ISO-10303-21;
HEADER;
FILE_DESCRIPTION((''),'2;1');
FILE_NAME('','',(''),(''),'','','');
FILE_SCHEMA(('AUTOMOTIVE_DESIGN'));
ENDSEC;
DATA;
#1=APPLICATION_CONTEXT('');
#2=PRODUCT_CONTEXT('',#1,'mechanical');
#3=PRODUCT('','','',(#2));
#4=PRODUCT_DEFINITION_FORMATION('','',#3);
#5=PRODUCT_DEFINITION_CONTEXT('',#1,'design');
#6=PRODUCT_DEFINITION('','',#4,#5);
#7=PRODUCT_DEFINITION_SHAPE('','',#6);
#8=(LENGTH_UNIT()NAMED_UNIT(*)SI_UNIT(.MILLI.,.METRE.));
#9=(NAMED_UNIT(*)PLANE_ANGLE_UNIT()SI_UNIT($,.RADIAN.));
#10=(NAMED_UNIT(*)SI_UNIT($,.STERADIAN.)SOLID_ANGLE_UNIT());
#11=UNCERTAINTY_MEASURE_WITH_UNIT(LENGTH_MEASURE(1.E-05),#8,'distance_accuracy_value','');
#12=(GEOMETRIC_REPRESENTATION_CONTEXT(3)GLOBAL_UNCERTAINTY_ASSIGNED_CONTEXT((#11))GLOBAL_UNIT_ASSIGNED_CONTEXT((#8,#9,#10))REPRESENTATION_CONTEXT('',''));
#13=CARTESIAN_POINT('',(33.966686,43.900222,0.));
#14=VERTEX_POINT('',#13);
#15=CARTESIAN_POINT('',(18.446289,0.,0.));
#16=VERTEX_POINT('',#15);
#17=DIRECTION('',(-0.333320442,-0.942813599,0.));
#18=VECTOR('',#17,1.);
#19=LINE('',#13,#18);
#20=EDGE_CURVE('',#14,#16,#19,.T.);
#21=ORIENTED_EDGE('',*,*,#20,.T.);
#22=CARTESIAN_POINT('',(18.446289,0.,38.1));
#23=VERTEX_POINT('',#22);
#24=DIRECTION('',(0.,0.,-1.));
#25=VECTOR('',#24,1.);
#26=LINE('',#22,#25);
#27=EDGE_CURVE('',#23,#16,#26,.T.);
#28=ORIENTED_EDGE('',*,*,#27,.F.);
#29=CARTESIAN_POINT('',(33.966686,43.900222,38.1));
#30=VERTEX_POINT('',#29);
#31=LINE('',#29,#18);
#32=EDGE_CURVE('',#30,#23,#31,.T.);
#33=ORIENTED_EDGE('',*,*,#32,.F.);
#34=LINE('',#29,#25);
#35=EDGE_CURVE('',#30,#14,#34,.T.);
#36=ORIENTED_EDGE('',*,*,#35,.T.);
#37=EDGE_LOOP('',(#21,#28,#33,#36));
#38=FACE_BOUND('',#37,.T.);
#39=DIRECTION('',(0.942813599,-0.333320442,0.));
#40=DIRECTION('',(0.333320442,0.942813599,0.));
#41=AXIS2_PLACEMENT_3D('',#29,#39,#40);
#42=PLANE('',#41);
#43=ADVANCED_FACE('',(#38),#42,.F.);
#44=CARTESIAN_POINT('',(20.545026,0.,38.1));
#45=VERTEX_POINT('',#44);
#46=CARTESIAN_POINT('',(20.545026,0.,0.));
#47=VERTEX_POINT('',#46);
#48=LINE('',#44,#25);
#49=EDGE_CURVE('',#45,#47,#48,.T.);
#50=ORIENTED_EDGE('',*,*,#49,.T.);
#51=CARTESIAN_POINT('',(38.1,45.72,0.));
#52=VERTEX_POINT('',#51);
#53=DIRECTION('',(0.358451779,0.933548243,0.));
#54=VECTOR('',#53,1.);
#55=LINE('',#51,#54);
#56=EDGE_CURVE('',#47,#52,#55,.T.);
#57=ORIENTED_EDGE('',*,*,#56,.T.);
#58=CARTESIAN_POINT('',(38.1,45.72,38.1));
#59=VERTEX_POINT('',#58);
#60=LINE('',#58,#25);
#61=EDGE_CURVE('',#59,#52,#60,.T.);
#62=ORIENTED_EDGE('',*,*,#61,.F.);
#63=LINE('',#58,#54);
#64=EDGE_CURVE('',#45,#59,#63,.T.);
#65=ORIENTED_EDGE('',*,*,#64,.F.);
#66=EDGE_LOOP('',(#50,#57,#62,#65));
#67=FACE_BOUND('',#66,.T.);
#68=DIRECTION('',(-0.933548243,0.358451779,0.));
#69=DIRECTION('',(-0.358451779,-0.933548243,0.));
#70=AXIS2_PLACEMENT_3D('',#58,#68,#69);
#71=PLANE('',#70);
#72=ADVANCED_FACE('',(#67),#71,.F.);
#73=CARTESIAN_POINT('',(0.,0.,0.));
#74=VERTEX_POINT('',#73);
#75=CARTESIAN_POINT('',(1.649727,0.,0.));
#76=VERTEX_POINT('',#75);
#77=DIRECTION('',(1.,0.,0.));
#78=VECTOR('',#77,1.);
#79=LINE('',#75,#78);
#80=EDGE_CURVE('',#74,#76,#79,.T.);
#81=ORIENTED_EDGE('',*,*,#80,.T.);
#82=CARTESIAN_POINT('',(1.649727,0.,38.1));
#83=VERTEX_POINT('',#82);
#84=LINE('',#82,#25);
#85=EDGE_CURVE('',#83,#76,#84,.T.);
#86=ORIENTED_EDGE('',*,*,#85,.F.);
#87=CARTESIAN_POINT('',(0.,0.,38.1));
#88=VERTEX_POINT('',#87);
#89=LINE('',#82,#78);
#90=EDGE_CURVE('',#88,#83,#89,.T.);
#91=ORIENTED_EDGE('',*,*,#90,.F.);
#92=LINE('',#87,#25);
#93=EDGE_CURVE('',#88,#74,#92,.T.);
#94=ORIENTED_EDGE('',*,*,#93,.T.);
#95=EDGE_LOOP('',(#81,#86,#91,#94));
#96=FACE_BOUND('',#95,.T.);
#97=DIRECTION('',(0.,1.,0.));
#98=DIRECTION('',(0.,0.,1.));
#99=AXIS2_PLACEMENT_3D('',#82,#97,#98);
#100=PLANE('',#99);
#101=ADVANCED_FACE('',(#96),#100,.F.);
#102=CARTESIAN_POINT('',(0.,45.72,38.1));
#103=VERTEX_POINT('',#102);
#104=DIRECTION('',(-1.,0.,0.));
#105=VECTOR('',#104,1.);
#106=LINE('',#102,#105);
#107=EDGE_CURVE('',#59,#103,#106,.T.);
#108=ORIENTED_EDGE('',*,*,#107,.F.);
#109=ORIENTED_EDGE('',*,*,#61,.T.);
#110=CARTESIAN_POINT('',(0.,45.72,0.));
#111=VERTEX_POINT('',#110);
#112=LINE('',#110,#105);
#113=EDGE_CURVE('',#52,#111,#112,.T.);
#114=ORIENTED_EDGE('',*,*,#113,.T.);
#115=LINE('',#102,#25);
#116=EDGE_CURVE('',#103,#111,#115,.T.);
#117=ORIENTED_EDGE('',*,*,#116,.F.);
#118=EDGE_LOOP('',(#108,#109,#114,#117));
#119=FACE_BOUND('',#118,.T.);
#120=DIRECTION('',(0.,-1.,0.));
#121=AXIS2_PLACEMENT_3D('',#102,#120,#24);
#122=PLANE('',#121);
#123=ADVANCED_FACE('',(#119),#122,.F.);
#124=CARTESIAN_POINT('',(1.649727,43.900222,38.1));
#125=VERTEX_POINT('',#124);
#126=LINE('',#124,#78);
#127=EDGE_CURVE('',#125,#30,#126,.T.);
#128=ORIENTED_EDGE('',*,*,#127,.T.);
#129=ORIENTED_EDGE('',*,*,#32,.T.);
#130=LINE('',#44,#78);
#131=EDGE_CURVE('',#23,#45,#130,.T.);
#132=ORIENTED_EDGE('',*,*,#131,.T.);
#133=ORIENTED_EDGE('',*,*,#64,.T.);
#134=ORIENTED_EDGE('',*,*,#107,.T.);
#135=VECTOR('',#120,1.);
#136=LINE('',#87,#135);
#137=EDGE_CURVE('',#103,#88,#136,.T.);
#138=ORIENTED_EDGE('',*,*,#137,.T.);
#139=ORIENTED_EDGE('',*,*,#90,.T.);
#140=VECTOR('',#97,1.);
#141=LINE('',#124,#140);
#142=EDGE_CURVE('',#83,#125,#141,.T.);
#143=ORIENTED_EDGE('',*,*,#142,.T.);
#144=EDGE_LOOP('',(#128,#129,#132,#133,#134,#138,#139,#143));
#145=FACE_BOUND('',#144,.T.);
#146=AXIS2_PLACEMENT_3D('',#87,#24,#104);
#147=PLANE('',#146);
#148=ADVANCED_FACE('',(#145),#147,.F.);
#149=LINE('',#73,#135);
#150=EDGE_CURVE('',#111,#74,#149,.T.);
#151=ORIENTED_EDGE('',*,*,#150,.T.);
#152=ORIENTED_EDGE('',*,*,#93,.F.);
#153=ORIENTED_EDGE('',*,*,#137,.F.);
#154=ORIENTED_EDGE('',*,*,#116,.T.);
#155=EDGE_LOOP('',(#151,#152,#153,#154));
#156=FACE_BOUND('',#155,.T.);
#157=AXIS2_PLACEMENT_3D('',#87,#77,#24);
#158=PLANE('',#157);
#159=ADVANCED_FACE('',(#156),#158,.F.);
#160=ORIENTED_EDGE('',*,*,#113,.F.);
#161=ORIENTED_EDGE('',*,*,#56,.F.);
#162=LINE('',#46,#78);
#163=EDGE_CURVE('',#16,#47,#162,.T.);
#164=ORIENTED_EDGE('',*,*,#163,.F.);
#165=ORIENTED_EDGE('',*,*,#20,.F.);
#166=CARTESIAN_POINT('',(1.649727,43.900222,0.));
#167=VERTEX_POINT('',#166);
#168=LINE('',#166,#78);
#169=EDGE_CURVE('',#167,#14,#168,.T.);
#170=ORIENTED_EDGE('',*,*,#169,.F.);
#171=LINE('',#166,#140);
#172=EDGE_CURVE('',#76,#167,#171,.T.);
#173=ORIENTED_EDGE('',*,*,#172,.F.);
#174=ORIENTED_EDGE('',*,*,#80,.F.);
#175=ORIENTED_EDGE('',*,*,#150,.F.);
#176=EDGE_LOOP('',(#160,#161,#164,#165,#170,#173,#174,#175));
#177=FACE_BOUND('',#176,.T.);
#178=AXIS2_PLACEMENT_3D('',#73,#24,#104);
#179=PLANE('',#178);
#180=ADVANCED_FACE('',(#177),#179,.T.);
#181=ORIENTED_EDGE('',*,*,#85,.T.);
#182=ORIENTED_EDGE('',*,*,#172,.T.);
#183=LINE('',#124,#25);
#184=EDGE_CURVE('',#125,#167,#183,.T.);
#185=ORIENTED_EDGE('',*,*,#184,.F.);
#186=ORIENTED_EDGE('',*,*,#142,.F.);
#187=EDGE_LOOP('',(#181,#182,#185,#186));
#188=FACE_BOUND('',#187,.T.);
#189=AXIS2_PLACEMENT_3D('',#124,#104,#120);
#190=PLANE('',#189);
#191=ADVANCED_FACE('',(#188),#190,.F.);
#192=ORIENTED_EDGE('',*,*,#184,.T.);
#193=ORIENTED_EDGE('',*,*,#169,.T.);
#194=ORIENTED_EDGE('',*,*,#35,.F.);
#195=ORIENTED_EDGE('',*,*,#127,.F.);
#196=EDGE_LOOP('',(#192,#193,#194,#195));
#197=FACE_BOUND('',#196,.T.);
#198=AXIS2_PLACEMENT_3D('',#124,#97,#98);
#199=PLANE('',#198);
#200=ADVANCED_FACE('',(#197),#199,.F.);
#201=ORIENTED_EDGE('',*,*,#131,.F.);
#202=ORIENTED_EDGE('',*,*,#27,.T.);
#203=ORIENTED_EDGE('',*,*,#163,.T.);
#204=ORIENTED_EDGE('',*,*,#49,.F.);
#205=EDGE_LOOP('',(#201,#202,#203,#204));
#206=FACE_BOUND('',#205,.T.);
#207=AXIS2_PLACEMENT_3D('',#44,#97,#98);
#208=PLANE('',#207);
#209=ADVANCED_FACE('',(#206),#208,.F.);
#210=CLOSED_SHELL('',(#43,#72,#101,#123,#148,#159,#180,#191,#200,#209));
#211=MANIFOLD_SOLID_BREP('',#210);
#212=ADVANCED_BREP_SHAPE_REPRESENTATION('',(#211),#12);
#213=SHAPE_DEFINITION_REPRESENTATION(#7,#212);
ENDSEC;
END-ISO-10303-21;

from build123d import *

# Parameters (mm, degrees)
BOSS_EXTRUDE4_DEPTH = 38.1


with BuildPart() as part:
    # Sketch1 → Boss-Extrude4 (new body)
    with BuildSketch(Plane.XY):
        Polygon((0, 0), (0, 45.72), (38.1, 45.72), (20.545025808, 0), (18.446289243, 0), (33.966686375, 43.900222239), (1.649727133, 43.900222239), (1.649727133, 0), align=None)
    extrude(amount=BOSS_EXTRUDE4_DEPTH)


solid = part.part
